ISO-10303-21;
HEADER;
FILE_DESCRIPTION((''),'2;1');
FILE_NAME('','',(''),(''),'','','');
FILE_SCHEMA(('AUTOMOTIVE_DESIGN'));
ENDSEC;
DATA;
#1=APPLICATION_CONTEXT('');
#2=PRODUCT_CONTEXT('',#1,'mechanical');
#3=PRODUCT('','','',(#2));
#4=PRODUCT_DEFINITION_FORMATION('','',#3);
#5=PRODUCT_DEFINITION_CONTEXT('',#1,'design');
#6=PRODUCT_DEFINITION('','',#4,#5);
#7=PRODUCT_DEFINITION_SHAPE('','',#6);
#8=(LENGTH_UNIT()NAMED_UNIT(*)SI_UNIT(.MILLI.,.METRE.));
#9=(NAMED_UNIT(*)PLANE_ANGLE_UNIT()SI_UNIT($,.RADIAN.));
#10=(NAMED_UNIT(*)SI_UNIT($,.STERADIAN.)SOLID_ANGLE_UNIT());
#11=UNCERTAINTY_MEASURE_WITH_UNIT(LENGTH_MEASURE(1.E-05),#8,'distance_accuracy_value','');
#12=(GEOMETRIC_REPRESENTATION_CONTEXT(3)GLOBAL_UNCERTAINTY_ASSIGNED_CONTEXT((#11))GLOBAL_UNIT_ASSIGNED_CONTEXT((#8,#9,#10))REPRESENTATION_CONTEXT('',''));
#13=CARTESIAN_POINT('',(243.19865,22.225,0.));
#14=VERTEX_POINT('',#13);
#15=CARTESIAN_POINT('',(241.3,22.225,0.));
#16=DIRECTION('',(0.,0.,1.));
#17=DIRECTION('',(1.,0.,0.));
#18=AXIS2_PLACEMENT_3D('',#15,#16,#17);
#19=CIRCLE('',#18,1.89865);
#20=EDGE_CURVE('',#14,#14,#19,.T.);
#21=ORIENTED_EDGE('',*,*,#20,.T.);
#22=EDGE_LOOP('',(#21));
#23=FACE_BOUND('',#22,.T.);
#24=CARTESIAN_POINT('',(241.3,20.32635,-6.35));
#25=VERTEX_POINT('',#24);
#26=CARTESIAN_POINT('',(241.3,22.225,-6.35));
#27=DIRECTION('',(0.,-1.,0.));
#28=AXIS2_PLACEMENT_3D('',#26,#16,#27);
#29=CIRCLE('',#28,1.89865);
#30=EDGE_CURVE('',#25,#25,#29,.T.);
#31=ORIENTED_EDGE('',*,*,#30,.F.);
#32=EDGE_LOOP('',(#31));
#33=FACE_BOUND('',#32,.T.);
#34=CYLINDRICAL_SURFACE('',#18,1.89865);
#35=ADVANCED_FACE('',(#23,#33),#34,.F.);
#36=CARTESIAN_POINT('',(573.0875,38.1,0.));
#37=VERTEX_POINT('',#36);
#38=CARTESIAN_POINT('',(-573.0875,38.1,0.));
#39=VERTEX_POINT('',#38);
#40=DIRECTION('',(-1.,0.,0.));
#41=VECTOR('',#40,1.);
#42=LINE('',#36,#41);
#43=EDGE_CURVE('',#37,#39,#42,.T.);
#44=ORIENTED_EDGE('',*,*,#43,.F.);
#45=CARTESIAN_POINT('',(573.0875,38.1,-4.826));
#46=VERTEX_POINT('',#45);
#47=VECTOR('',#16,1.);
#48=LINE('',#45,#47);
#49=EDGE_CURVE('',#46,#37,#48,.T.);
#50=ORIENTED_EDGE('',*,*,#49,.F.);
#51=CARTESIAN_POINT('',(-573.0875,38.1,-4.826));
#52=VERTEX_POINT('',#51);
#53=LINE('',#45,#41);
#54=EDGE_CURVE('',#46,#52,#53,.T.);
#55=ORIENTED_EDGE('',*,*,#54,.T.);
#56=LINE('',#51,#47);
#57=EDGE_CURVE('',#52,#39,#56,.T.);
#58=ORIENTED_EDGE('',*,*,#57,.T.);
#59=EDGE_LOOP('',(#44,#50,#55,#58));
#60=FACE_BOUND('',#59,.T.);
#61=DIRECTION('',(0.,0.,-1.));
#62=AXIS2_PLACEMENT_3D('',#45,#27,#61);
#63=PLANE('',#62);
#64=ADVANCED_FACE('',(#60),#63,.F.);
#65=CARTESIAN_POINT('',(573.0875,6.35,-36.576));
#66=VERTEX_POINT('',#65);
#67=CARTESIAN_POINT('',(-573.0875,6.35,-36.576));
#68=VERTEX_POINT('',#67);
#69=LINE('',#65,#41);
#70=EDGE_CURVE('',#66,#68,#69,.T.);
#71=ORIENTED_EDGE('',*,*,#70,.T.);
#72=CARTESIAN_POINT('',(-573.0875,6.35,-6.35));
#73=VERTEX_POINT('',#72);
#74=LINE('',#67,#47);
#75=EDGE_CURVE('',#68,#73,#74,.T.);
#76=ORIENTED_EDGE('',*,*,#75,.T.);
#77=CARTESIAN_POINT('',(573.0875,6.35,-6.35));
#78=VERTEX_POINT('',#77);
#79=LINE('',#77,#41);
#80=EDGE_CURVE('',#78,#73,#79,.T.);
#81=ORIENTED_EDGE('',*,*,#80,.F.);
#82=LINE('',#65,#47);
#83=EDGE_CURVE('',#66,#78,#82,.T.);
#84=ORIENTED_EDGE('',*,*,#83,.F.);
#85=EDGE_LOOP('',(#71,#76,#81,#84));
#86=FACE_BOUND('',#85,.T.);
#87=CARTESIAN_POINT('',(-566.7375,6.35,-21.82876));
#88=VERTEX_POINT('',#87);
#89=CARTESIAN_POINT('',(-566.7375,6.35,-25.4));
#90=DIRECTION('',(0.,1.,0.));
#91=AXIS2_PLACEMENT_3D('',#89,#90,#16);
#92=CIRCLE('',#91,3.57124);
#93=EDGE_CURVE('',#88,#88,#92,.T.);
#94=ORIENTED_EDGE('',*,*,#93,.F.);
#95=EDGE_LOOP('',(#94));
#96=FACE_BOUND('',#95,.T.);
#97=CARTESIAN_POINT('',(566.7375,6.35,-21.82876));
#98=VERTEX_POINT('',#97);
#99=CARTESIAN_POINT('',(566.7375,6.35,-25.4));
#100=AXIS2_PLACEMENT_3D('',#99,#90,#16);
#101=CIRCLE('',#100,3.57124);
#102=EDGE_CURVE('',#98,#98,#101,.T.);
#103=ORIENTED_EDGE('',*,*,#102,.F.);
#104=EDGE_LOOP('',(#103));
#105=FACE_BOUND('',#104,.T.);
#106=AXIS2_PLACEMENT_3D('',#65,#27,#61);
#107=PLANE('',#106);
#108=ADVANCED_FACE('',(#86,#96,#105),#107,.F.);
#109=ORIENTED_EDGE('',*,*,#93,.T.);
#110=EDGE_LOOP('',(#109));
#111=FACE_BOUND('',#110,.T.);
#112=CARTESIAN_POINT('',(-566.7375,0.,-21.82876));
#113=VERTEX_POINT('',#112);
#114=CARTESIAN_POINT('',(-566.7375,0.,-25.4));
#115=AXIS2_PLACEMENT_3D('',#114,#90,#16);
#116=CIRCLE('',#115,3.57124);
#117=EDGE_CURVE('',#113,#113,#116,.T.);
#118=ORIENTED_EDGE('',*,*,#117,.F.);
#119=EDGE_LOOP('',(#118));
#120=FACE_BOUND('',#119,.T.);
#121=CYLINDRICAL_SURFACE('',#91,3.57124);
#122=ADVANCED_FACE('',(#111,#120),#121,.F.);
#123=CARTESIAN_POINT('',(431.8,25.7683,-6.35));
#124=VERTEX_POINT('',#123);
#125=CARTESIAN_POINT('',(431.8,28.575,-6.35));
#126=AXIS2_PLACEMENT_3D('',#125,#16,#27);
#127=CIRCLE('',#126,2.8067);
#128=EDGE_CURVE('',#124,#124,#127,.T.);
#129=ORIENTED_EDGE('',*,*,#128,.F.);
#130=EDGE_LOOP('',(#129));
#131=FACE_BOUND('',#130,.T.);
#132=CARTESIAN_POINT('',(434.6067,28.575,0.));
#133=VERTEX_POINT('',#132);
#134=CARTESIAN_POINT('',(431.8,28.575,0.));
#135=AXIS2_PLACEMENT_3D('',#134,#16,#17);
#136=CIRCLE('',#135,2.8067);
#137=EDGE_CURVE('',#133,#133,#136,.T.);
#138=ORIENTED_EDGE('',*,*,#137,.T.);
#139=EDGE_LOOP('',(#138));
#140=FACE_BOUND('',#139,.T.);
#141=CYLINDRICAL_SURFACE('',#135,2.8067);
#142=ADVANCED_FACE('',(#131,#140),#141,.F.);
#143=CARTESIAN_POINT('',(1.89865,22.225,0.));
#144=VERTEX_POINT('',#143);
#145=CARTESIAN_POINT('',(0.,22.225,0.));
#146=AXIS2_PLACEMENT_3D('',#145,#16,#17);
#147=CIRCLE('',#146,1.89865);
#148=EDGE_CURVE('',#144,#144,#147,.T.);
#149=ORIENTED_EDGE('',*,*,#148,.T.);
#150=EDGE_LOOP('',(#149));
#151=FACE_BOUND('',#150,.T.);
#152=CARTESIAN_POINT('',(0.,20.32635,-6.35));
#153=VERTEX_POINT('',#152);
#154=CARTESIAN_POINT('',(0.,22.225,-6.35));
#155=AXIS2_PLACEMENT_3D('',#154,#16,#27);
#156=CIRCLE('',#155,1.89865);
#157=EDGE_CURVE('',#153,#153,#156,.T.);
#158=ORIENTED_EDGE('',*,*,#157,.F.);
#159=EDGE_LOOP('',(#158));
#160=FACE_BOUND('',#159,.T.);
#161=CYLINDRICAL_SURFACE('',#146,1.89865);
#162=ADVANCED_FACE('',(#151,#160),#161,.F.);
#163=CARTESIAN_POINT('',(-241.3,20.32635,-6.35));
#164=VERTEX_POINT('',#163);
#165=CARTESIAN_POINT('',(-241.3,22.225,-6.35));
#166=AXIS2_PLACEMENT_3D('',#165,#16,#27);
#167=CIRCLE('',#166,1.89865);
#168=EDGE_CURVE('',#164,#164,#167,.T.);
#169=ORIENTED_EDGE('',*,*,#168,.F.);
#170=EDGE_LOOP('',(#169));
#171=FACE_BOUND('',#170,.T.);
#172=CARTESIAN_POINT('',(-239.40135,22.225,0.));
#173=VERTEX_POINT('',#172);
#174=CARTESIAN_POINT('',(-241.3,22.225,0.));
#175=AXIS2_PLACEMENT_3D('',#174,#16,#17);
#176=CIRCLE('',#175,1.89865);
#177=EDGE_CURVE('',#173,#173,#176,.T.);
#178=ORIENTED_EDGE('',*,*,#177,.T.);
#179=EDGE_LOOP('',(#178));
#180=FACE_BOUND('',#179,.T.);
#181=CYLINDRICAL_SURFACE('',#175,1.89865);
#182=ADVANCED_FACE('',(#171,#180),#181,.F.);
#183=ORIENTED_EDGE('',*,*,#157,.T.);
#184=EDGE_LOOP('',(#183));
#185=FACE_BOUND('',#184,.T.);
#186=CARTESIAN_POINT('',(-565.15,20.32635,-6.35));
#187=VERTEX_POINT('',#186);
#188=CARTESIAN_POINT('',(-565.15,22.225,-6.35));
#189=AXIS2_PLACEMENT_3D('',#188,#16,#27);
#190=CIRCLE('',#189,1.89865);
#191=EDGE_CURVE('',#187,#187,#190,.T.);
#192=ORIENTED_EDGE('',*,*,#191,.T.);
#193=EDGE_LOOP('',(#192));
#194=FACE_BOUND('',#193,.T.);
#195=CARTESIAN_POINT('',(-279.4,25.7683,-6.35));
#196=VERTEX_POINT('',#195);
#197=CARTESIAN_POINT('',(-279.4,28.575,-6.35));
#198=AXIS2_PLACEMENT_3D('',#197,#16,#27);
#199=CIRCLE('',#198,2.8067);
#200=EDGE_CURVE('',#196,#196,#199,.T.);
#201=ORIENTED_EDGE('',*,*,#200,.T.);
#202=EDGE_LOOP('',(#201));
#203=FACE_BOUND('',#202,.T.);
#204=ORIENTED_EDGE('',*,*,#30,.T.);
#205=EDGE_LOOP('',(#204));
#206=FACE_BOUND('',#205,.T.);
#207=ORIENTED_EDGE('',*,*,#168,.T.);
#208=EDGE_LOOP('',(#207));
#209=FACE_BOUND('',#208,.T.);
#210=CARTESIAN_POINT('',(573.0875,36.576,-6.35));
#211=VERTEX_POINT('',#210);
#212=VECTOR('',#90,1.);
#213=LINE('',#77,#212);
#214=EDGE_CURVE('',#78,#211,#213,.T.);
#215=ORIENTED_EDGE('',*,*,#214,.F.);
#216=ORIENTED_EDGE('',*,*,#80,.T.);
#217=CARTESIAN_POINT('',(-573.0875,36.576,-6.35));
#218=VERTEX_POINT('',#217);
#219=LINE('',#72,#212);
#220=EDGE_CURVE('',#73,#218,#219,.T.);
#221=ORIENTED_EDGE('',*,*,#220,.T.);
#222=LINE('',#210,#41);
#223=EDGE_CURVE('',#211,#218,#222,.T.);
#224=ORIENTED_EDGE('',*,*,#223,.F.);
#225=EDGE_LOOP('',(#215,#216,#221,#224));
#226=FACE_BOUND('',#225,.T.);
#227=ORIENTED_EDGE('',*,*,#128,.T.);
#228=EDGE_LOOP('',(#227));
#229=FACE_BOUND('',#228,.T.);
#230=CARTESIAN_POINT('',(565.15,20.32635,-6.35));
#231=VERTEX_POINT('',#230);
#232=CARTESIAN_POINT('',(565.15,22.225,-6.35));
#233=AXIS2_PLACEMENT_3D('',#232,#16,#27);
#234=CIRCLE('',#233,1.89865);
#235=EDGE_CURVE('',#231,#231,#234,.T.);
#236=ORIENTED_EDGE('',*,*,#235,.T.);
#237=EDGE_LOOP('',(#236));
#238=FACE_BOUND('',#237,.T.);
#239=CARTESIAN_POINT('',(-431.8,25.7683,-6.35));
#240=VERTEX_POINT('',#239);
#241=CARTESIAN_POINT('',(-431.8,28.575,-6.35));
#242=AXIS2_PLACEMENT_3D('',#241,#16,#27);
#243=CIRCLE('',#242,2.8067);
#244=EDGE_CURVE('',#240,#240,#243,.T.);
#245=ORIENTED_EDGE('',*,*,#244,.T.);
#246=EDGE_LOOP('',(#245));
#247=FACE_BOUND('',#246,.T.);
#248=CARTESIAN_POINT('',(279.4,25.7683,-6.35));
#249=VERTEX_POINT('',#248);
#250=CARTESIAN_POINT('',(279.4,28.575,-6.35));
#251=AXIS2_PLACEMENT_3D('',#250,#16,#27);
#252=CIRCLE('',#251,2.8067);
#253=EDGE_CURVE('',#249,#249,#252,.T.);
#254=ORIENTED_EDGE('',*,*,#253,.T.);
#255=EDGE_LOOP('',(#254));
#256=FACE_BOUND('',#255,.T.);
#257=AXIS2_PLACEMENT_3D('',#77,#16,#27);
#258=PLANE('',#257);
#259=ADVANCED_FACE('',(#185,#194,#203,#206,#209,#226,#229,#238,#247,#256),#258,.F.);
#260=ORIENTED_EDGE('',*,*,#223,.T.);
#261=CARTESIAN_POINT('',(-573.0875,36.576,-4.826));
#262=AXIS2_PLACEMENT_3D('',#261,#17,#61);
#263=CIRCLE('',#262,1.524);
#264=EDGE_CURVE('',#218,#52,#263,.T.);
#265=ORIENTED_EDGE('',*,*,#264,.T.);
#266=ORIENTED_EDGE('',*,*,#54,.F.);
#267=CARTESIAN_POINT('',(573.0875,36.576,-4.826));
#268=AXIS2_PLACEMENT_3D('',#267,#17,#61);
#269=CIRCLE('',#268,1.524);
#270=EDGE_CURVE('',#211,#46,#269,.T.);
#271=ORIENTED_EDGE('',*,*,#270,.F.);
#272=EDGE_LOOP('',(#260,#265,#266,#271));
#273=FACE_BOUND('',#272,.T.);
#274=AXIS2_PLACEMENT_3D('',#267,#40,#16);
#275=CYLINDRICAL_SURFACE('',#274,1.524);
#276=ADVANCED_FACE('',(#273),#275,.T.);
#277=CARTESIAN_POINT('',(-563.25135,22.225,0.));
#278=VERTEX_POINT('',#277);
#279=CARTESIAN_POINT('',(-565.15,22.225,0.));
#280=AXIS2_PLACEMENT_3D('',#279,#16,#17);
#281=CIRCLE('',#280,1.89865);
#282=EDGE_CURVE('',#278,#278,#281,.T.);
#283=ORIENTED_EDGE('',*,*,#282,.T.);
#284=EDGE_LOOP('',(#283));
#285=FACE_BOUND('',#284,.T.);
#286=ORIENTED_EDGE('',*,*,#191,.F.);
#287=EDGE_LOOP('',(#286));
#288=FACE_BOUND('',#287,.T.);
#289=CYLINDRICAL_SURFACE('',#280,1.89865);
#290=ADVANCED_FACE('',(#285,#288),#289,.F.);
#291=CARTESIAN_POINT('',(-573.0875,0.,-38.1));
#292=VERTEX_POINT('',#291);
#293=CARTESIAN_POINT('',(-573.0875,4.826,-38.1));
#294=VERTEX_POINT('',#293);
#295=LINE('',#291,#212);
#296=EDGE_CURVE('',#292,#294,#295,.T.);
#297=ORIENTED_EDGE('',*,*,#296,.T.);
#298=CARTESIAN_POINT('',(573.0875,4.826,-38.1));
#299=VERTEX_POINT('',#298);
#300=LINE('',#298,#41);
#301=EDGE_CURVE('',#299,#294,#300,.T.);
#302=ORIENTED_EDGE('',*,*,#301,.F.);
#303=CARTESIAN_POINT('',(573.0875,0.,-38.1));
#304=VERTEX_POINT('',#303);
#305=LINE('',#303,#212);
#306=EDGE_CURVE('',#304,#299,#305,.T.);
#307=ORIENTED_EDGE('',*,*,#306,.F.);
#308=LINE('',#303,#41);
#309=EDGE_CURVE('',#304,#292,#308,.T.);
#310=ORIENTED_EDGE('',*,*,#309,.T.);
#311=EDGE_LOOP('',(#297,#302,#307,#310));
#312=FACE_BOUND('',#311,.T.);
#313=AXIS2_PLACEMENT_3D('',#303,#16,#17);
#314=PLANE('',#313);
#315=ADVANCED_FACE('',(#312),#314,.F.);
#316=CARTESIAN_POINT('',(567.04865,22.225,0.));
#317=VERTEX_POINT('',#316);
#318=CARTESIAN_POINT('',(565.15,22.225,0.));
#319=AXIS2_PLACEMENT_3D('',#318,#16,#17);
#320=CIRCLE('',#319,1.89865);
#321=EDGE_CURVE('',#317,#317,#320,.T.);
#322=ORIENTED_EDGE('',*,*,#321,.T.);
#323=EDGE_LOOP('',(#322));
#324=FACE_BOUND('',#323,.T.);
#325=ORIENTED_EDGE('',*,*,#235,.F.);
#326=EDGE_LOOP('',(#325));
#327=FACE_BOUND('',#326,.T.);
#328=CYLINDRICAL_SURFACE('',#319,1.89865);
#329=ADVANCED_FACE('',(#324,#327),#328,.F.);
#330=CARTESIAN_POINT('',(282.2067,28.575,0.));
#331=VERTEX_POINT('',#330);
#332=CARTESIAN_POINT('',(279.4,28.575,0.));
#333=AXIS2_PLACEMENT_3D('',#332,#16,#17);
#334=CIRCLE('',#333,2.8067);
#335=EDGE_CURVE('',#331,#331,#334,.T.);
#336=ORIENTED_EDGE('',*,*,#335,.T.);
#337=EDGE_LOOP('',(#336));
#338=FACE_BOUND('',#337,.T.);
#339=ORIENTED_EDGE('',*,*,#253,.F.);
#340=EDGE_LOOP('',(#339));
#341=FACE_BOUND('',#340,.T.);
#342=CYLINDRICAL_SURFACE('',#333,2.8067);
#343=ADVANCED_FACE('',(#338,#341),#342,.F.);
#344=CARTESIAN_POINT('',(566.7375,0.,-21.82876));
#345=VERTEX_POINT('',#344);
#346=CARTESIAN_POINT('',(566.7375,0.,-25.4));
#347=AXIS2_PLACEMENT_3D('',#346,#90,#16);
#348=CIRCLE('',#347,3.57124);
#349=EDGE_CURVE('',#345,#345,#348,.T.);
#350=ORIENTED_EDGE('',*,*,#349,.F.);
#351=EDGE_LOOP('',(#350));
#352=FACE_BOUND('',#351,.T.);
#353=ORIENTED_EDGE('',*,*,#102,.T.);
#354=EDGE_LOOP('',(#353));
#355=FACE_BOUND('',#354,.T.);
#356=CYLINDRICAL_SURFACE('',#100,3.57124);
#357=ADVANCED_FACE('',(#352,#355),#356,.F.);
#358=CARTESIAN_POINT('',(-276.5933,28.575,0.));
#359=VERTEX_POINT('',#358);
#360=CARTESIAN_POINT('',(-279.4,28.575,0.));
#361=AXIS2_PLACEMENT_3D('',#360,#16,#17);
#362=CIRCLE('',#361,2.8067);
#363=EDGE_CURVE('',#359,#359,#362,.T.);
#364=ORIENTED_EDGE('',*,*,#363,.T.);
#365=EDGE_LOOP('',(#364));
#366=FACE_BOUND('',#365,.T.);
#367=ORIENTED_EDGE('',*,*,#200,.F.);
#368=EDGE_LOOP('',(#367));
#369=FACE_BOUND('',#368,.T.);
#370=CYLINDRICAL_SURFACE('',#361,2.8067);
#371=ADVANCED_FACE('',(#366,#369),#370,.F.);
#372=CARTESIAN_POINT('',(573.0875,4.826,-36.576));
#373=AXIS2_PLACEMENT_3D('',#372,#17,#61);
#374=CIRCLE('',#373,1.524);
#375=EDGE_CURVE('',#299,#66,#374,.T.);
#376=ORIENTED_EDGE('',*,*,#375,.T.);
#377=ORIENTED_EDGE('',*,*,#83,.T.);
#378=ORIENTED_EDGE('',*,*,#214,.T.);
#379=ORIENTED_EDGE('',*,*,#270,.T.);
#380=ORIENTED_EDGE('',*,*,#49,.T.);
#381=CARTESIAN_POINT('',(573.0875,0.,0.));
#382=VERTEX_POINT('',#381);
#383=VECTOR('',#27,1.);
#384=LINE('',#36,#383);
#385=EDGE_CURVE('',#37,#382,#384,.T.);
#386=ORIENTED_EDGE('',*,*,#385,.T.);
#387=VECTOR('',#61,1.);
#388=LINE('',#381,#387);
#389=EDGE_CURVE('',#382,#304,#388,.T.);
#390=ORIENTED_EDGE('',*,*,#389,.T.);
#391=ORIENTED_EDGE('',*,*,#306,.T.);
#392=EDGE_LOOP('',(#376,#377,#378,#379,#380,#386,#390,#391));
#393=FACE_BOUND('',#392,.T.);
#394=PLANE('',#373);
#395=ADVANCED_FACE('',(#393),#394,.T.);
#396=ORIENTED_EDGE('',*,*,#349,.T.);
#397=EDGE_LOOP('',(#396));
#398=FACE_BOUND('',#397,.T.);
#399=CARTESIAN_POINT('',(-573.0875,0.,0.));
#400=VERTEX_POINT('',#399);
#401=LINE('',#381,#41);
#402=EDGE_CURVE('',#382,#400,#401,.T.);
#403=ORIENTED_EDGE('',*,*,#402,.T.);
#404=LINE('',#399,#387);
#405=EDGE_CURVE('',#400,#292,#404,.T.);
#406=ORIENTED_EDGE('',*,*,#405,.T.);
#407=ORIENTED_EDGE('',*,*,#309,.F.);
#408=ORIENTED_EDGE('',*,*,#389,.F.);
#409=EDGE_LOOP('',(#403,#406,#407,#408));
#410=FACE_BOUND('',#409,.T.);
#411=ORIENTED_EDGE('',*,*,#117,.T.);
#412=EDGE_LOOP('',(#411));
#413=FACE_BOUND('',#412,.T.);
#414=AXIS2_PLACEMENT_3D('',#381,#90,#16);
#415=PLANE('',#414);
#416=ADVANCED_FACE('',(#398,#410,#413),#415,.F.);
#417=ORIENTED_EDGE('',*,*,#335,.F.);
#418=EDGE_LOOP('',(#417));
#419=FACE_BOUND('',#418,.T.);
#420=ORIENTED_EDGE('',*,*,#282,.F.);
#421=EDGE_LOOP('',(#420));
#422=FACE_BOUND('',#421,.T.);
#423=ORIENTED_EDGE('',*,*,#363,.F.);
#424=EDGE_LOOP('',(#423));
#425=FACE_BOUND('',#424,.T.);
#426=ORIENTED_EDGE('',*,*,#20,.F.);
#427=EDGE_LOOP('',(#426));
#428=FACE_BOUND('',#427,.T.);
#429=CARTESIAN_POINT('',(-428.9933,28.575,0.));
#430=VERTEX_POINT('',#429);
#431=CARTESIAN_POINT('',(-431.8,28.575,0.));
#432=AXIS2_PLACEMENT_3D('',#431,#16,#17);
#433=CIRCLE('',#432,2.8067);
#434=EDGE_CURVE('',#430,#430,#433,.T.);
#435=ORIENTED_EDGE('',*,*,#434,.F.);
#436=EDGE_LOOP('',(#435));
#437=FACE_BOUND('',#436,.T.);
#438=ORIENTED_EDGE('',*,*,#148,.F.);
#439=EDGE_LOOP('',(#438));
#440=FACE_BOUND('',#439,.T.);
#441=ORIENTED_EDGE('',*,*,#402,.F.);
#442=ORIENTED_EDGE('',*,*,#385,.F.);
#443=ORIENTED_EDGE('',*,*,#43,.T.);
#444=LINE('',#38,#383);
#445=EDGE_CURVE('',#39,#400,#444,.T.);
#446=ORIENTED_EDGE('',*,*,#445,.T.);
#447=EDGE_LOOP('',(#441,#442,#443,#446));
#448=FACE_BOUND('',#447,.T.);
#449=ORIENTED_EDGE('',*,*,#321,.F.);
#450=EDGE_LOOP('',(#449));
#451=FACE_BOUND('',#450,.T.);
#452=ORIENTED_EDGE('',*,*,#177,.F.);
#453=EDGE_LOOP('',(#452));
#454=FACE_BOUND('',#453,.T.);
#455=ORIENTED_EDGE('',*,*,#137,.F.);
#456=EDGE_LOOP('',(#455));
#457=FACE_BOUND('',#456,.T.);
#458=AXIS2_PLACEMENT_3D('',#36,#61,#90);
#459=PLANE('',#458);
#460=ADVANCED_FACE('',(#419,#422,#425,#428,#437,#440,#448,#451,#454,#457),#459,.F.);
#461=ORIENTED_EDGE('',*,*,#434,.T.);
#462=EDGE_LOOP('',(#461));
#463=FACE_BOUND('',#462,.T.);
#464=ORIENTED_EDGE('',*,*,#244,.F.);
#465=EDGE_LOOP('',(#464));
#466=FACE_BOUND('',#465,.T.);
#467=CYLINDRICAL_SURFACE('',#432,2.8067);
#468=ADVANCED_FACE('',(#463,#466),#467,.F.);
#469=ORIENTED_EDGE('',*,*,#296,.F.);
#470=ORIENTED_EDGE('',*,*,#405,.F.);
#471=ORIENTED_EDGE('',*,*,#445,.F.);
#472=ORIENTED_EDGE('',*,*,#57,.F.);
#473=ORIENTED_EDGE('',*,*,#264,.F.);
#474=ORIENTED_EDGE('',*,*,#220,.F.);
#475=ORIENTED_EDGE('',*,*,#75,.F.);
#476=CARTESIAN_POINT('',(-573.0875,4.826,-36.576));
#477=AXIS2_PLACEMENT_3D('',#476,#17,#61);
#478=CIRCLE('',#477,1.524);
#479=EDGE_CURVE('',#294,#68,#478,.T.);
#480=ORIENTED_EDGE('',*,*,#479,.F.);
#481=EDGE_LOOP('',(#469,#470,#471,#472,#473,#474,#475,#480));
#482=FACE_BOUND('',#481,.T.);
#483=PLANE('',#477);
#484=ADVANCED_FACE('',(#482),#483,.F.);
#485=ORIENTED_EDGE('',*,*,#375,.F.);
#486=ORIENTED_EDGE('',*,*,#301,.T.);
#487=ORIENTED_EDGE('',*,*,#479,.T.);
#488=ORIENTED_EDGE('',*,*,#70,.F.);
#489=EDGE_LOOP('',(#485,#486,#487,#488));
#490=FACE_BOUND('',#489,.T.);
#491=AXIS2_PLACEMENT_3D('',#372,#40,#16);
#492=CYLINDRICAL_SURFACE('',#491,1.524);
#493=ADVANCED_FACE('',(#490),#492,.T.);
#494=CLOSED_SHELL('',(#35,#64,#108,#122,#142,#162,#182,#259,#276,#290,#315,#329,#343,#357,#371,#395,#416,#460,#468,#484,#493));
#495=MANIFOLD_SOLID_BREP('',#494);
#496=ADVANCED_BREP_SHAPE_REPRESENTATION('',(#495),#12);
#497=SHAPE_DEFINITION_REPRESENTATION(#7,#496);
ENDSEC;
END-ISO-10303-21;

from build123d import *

# Parameters (mm, degrees)
EXTRUDE1_DEPTH          = 573.0875
F_1_4_CLEARANCE_HOLE1_D = 7.14248
F_10_24_TAPPED_HOLE1_D  = 3.7973
F_10_CLEARANCE_HOLE1_D  = 5.6134


with BuildPart() as part:
    # Sketch1 → Extrude1 (new, symmetric)
    with BuildSketch(Plane(origin=(0, 0, 0), x_dir=(0, 0, -1), z_dir=(1, 0, 0))):
        with BuildLine():
            Line((0, 38.1), (0, 0))
            Line((0, 0), (38.1, 0))
            Line((38.1, 0), (38.1, 4.826))
            ThreePointArc((38.1, 4.826), (37.653630735, 5.903630735), (36.576, 6.35))
            Line((36.576, 6.35), (6.35, 6.35))
            Line((6.35, 6.35), (6.35, 36.576))
            ThreePointArc((6.35, 36.576), (5.903630735, 37.653630735), (4.826, 38.1))
            Line((4.826, 38.1), (0, 38.1))
        make_face()
    extrude(amount=EXTRUDE1_DEPTH, both=True)

    # 1/4 Clearance Hole1 (through all)
    with Locations(Plane(origin=(0, 6.35, 0), x_dir=(-1, 0, 0), z_dir=(0, 1, 0))):
        with Locations((-566.7375, -25.4), (566.7375, -25.4)):
            Hole(F_1_4_CLEARANCE_HOLE1_D / 2)

    # #10-24 Tapped Hole1 (through all)
    with Locations(Plane.XY):
        with Locations((-565.15, 22.225), (565.15, 22.225), (-241.3, 22.225), (241.3, 22.225), (0, 22.225)):
            Hole(F_10_24_TAPPED_HOLE1_D / 2)

    # #10 Clearance Hole1 (through all)
    with Locations(Plane.XY):
        with Locations((-431.8, 28.575), (-279.4, 28.575), (279.4, 28.575), (431.8, 28.575)):
            Hole(F_10_CLEARANCE_HOLE1_D / 2)


solid = part.part
